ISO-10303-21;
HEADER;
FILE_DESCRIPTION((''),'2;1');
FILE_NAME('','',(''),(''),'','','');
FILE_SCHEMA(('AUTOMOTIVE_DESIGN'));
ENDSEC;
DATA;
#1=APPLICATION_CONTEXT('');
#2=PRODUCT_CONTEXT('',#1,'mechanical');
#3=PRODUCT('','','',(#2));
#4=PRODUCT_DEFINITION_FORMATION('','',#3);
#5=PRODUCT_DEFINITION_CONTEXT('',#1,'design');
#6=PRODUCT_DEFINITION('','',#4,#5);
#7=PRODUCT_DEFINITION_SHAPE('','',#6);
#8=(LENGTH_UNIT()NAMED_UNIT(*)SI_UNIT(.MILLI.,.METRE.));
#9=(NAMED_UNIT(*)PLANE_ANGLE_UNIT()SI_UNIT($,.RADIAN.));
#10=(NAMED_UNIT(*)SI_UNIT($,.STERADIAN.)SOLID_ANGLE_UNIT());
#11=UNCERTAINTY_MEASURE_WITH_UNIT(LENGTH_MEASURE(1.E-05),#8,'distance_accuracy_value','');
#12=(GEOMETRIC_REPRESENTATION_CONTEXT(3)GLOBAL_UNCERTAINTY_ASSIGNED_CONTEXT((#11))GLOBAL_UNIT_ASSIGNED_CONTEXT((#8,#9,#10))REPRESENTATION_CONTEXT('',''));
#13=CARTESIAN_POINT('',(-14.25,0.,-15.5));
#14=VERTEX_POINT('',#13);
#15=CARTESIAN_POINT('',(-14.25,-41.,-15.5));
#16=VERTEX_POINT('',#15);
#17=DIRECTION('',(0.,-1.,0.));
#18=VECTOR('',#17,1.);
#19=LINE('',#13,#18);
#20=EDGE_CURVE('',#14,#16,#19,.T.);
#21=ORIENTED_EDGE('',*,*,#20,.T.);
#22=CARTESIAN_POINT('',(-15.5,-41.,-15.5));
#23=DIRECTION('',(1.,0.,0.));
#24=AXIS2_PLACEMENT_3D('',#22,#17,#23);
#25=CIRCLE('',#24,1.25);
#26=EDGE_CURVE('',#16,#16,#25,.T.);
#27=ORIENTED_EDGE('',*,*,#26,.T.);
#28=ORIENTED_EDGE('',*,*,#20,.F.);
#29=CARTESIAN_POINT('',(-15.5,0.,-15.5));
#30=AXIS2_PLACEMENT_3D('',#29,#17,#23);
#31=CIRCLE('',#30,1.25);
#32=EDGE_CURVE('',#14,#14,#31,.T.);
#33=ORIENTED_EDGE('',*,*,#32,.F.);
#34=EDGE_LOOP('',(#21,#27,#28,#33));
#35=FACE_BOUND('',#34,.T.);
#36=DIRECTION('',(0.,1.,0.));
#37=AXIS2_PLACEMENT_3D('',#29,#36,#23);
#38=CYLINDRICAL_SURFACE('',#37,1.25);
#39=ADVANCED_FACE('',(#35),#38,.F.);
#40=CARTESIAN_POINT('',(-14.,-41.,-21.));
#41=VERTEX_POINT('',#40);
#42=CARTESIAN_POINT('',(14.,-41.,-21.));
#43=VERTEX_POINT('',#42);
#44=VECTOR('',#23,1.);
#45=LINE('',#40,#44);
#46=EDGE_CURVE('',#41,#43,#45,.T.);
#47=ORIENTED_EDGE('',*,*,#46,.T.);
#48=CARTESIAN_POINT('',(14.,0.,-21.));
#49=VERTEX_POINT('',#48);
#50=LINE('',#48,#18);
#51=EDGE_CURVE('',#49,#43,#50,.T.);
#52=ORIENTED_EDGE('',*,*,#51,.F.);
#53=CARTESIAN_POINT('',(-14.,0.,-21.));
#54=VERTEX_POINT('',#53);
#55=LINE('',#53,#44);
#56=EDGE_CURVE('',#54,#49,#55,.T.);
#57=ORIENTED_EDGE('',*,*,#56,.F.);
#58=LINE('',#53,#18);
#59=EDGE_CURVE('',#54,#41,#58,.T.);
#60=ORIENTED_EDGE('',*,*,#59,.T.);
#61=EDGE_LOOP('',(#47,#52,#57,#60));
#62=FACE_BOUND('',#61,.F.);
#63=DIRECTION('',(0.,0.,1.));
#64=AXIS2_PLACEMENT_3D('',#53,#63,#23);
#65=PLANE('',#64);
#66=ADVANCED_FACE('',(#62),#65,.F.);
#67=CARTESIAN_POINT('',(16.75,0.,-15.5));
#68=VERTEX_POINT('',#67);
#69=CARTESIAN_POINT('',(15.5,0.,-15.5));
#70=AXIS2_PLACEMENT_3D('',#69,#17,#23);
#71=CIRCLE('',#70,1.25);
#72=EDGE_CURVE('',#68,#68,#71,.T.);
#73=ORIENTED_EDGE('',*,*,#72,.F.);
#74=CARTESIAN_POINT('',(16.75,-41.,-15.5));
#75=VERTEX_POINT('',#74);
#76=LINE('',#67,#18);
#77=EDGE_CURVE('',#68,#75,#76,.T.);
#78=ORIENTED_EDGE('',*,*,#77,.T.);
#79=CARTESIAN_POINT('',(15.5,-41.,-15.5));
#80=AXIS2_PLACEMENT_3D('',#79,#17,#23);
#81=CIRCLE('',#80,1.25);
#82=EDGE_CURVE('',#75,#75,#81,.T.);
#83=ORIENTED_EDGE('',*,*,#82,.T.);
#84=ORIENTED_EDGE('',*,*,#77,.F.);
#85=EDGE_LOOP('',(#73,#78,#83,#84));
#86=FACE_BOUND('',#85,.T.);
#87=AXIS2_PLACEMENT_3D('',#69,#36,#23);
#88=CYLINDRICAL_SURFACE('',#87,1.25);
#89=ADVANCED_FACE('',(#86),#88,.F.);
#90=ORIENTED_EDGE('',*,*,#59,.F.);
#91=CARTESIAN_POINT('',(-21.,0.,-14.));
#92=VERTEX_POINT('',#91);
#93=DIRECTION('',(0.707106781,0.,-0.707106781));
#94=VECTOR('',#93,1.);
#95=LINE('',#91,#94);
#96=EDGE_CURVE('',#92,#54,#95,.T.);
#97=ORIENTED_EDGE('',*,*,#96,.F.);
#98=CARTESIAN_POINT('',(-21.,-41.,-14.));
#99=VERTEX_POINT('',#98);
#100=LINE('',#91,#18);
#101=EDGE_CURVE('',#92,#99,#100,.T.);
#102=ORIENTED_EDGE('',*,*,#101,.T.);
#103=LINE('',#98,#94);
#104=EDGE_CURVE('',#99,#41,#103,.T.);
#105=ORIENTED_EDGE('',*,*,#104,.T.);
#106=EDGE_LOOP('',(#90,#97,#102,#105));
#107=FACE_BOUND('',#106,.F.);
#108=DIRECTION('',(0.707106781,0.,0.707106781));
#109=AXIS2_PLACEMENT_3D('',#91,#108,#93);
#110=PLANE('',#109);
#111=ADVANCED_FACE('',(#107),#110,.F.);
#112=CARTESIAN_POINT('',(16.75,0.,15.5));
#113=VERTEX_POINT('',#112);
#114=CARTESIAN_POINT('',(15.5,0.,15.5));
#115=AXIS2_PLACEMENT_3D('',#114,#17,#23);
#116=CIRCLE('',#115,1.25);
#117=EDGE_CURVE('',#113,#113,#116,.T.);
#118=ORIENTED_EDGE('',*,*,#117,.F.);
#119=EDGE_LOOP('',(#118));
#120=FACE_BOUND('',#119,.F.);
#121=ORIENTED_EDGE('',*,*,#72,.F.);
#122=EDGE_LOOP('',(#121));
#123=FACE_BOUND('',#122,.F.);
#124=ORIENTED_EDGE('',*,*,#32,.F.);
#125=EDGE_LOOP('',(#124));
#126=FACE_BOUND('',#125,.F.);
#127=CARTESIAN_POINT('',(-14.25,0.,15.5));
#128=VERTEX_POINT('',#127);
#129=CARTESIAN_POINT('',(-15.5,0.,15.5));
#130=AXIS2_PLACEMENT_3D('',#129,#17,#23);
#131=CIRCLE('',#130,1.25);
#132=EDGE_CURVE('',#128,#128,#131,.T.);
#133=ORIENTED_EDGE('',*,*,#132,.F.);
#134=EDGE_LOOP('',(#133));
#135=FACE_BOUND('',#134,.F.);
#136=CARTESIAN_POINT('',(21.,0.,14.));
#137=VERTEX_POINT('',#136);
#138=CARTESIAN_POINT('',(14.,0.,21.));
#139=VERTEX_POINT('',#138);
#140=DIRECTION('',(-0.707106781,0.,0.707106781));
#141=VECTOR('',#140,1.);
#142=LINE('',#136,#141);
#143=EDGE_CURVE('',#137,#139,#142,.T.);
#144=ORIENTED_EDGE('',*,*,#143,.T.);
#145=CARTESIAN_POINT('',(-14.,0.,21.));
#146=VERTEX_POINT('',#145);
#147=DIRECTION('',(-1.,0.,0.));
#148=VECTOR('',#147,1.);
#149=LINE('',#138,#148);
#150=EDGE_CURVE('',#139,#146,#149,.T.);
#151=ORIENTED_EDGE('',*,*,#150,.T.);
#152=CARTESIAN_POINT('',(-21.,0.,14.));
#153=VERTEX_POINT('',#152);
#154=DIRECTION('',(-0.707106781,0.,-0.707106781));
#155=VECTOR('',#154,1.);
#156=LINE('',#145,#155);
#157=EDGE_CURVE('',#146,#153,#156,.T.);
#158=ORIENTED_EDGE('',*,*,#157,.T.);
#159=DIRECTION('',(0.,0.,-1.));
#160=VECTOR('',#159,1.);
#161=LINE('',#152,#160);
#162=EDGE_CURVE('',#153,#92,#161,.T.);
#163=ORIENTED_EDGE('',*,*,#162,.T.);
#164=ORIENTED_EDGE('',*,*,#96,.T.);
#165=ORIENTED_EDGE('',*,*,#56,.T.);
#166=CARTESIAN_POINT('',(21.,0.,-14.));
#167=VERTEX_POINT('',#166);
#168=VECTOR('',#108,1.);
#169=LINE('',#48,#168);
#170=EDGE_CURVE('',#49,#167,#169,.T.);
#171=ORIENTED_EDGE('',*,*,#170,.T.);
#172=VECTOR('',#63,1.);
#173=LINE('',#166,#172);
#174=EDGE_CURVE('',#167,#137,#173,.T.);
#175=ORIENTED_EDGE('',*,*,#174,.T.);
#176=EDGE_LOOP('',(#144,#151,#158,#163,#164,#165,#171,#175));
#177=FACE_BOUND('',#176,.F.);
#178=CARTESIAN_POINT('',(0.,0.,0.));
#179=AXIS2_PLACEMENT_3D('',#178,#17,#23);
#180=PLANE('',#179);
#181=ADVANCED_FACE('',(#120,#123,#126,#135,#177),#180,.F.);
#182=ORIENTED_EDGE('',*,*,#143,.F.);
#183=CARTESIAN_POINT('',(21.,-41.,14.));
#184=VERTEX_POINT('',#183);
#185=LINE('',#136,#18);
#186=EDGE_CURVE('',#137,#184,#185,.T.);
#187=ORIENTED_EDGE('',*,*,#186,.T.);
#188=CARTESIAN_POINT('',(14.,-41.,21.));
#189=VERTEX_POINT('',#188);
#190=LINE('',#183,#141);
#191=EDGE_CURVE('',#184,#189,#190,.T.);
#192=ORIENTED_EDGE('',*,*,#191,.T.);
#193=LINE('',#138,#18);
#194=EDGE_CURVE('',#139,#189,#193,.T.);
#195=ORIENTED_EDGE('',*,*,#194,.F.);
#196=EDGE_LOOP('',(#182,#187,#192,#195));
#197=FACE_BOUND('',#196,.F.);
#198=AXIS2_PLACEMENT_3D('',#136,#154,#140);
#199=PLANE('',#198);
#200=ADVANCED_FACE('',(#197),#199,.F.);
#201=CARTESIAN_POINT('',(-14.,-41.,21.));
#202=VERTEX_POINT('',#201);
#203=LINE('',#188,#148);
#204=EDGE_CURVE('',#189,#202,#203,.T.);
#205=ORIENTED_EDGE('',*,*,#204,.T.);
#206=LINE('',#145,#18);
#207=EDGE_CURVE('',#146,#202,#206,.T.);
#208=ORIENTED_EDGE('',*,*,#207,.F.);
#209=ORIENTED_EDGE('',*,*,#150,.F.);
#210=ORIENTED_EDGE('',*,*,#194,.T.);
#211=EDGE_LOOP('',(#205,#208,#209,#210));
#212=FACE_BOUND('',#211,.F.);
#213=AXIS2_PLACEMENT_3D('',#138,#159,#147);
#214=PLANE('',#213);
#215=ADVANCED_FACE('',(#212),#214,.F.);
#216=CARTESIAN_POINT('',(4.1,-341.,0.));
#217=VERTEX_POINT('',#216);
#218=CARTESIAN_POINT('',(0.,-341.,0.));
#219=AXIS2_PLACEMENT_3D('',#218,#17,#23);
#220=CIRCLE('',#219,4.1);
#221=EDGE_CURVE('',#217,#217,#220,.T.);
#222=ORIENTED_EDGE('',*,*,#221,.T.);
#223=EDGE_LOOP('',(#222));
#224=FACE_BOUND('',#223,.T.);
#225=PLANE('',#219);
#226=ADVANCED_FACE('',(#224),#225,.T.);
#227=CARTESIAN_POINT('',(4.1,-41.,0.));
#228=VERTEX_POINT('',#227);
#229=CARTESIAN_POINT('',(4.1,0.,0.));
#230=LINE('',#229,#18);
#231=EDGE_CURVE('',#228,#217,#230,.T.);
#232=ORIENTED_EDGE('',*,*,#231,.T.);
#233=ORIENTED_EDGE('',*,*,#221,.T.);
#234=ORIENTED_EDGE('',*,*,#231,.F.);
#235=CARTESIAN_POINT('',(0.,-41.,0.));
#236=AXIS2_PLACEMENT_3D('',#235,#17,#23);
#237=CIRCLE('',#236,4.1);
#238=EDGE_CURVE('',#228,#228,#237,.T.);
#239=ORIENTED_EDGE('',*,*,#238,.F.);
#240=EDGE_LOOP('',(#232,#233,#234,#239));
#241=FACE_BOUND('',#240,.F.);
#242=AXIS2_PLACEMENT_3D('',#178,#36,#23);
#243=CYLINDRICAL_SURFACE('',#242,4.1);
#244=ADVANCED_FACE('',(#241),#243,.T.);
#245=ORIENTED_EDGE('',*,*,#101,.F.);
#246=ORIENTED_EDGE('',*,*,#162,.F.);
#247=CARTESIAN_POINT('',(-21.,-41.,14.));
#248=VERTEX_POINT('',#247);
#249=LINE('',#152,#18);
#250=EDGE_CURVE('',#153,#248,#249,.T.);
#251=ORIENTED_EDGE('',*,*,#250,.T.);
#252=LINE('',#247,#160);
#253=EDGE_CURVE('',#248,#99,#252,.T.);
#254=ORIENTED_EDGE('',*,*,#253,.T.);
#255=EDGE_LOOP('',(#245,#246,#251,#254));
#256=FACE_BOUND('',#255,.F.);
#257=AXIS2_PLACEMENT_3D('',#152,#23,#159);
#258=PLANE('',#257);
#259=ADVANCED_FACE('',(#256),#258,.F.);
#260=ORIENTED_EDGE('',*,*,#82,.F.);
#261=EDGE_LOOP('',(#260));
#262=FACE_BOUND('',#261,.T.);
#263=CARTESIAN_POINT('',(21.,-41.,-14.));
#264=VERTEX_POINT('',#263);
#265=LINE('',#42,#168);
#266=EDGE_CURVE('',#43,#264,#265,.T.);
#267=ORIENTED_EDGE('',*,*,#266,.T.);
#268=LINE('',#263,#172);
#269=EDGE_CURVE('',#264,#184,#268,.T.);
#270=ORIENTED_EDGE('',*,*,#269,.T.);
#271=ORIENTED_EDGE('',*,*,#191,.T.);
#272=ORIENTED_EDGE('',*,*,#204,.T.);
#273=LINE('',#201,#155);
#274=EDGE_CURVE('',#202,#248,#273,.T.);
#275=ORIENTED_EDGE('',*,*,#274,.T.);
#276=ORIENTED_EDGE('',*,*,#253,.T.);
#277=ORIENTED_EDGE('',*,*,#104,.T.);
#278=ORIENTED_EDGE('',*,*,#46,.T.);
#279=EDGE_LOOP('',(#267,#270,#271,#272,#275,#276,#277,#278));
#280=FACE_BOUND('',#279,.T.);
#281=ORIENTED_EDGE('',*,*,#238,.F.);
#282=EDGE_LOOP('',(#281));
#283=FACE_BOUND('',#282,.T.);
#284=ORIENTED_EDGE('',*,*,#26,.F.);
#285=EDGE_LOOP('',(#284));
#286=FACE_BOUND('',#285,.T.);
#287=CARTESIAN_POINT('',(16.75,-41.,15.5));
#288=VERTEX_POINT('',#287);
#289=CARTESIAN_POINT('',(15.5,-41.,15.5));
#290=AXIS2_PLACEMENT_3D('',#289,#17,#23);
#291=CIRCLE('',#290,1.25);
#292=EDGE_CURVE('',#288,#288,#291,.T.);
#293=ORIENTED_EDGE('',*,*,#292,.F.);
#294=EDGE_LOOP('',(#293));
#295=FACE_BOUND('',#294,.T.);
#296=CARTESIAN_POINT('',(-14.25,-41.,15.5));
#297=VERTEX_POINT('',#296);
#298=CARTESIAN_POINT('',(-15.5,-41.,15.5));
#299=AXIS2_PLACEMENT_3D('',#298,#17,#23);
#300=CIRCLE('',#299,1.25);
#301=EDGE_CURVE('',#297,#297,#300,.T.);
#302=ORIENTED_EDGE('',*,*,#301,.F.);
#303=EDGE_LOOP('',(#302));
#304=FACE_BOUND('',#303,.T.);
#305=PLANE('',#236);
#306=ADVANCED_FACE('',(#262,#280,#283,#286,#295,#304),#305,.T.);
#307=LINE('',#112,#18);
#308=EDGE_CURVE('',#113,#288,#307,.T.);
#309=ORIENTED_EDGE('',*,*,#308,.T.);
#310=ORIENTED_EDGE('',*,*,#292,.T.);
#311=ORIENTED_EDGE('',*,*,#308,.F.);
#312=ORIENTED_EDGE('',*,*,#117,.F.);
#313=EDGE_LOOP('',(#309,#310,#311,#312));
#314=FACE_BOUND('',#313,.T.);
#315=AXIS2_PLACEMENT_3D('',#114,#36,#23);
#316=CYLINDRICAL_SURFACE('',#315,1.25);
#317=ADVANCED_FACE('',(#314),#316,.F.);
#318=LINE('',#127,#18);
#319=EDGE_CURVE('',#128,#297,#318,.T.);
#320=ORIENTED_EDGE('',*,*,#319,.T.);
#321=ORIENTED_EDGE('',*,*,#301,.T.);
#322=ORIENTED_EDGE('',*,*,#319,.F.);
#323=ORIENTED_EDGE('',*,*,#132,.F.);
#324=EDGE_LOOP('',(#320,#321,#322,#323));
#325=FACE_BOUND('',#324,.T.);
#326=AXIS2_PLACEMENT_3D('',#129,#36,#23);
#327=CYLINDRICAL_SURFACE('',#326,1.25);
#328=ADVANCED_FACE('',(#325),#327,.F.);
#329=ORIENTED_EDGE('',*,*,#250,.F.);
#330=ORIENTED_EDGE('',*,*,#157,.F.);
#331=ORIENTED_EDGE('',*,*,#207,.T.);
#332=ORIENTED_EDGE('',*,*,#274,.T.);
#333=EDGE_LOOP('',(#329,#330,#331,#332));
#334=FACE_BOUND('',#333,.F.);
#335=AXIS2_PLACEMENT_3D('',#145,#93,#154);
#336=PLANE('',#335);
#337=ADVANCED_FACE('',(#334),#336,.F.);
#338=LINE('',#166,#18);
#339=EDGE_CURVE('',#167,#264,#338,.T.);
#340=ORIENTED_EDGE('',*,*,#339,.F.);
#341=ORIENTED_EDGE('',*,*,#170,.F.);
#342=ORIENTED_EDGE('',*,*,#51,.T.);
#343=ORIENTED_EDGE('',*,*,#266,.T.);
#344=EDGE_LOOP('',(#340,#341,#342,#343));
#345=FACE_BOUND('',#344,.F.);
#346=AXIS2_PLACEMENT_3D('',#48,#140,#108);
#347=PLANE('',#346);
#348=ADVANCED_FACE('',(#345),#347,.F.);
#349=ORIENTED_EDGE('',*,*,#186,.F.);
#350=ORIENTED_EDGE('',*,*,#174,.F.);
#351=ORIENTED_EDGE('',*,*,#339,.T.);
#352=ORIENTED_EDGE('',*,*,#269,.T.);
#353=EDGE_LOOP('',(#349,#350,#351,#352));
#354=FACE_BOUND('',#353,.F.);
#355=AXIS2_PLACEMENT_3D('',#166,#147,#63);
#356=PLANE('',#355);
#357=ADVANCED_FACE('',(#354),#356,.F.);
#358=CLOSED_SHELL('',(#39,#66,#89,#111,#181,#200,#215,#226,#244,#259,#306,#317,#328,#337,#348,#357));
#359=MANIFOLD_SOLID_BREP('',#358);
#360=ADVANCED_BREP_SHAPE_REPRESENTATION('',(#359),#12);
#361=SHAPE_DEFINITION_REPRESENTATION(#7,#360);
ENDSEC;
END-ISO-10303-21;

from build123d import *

# Parameters (mm, degrees)
F0_R     = 1.25
F0_R_2   = 4.1
F1_DEPTH = 41
F2_DEPTH = 341


with BuildPart() as f1:
    # F0 (on Front) → F1 (new body)
    with BuildSketch(Plane.XZ):
        Polygon((21, 14), (14, 21), (-14, 21), (-21, 14), (-21, -14), (-14, -21), (14, -21), (21, -14), align=None)
        with Locations((-15.5, -15.5)):
            Circle(F0_R, mode=Mode.SUBTRACT)
        with Locations((15.5, -15.5)):
            Circle(F0_R, mode=Mode.SUBTRACT)
        with Locations((-15.5, 15.5)):
            Circle(F0_R, mode=Mode.SUBTRACT)
        Circle(F0_R_2, mode=Mode.SUBTRACT)
        with Locations((15.5, 15.5)):
            Circle(F0_R, mode=Mode.SUBTRACT)
    extrude(amount=F1_DEPTH)

    # F0 (on Front) → F2 (join)
    with BuildSketch(Plane.XZ):
        Circle(F0_R_2)
    extrude(amount=F2_DEPTH)


solid = f1.part
